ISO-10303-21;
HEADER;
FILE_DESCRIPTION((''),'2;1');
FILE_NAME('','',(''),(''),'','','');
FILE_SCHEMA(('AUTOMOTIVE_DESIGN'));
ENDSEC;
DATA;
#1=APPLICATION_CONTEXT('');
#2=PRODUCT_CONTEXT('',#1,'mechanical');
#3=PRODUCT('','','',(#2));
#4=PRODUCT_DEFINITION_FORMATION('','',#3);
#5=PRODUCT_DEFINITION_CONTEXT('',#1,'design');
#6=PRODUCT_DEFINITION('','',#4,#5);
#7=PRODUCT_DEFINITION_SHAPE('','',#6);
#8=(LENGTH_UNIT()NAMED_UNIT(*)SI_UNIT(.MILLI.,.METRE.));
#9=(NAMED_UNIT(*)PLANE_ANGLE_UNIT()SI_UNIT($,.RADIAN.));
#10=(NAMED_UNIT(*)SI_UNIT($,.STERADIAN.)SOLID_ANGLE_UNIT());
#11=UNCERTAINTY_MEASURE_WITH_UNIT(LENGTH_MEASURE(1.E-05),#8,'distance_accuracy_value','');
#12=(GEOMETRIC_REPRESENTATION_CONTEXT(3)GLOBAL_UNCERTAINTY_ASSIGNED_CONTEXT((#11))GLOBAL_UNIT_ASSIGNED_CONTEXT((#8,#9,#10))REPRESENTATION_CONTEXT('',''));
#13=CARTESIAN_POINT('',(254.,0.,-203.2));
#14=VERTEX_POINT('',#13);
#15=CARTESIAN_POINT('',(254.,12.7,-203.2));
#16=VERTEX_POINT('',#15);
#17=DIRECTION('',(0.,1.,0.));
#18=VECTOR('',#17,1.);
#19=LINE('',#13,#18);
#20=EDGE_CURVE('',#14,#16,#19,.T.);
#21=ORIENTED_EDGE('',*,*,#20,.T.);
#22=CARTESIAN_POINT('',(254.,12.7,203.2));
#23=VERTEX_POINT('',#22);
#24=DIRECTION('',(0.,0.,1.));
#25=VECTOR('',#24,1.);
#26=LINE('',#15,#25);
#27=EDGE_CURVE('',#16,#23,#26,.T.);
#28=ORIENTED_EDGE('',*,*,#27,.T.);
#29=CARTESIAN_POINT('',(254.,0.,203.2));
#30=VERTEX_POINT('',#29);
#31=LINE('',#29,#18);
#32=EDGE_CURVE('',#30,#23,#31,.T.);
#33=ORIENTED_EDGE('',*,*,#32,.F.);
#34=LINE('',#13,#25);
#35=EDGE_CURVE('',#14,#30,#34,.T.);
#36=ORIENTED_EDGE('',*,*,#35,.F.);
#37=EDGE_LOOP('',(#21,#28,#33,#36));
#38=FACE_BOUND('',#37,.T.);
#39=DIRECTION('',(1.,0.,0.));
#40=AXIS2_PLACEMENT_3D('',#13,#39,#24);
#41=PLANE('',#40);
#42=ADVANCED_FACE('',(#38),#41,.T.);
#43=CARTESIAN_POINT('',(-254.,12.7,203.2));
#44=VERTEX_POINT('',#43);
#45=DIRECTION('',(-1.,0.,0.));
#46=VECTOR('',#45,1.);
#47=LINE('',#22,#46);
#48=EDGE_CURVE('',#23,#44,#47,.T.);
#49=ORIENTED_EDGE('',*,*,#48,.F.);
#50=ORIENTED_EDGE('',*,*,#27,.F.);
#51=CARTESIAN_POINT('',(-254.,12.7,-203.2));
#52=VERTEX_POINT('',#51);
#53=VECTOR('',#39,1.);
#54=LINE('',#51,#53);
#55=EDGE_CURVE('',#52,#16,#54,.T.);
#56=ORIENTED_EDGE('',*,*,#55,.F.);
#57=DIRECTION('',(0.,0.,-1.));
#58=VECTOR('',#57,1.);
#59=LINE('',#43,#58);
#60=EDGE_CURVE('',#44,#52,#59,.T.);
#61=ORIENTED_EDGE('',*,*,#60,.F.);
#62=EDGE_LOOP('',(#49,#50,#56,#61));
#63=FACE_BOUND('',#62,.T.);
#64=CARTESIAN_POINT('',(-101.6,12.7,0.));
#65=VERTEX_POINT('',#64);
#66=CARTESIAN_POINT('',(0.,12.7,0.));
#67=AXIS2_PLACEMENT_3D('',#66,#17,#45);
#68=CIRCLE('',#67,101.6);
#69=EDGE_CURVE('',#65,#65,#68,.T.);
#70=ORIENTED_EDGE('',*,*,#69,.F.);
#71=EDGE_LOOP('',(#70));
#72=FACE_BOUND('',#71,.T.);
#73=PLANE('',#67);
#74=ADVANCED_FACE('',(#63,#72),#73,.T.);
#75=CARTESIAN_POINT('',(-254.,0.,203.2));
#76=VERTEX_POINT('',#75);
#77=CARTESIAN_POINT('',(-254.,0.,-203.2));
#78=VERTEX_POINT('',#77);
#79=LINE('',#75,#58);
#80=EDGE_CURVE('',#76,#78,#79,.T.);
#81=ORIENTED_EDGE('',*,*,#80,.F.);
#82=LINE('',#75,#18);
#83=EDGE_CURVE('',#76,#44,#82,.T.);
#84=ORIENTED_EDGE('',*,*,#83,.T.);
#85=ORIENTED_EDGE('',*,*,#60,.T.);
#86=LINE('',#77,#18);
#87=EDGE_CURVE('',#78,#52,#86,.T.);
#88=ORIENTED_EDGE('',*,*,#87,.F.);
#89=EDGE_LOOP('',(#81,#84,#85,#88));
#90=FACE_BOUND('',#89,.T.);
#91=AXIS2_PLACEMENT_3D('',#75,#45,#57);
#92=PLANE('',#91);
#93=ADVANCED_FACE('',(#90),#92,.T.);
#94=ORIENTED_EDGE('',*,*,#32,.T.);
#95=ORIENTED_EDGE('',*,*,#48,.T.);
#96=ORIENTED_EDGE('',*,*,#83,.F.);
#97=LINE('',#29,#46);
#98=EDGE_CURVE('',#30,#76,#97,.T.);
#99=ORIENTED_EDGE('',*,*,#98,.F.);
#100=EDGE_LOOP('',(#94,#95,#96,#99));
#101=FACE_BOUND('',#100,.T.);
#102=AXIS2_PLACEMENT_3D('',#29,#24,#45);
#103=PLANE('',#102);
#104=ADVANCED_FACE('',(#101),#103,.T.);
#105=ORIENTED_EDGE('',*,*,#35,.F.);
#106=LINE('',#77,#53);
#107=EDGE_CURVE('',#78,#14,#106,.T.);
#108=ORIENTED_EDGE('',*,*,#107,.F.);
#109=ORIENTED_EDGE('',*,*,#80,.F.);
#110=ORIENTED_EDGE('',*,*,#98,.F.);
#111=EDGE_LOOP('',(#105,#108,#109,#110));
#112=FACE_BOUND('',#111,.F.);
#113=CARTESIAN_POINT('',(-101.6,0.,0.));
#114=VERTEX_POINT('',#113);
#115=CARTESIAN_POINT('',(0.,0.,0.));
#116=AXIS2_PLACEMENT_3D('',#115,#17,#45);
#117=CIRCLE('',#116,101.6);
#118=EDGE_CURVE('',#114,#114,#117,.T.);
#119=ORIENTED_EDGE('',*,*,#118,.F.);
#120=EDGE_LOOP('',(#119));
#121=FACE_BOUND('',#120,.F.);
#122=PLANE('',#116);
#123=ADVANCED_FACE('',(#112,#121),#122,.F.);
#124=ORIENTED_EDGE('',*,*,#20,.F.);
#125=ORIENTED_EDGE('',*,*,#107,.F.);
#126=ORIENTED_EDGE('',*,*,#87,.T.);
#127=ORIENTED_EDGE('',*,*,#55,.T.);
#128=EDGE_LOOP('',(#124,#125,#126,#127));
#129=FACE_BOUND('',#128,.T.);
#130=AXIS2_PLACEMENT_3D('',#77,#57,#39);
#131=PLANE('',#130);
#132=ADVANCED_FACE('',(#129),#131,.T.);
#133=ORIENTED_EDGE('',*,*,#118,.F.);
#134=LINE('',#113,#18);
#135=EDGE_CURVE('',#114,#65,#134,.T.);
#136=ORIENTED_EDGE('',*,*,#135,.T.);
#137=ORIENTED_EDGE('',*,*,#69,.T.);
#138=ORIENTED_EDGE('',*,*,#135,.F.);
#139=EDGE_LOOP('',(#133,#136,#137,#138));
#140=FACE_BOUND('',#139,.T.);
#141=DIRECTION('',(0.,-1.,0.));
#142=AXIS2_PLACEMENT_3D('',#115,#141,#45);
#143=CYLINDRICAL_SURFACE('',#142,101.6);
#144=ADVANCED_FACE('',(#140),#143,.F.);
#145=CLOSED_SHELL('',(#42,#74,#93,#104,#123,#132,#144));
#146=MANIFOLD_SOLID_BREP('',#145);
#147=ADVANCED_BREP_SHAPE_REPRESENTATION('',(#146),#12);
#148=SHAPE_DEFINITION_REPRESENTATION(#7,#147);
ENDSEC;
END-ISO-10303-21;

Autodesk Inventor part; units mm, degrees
ref_plane "YZ Plane" through (0, 0, 0) normal (1, 0, 0) x (0, 1, 0)
ref_plane "XZ Plane" through (0, 0, 0) normal (0, 1, 0) x (-1, 0, 0)
ref_plane "XY Plane" through (0, 0, 0) normal (0, 0, 1) x (1, 0, 0)
sketch "Sketch1" plane through (0, 0, 0) normal (0, 1, 0) x (-1, 0, 0)
  line L0 (-254, 203.2) -> (254, 203.2)
  line L1 (254, 203.2) -> (254, -203.2)
  line L2 (254, -203.2) -> (-254, -203.2)
  line L3 (-254, -203.2) -> (-254, 203.2)
  line L4 (-254, 203.2) -> (254, -203.2) construction
  line L5 (254, 203.2) -> (-254, -203.2) construction
  circle A0 centre (0, 0) radius 101.6
  dimension "d0" = 508
  dimension "d1" = 406.4
  dimension "d2" = 203.2
extrude "Extrusion1" add sketch "Sketch1" along normal blind 12.7
properties part number "Kettle-Platform"
